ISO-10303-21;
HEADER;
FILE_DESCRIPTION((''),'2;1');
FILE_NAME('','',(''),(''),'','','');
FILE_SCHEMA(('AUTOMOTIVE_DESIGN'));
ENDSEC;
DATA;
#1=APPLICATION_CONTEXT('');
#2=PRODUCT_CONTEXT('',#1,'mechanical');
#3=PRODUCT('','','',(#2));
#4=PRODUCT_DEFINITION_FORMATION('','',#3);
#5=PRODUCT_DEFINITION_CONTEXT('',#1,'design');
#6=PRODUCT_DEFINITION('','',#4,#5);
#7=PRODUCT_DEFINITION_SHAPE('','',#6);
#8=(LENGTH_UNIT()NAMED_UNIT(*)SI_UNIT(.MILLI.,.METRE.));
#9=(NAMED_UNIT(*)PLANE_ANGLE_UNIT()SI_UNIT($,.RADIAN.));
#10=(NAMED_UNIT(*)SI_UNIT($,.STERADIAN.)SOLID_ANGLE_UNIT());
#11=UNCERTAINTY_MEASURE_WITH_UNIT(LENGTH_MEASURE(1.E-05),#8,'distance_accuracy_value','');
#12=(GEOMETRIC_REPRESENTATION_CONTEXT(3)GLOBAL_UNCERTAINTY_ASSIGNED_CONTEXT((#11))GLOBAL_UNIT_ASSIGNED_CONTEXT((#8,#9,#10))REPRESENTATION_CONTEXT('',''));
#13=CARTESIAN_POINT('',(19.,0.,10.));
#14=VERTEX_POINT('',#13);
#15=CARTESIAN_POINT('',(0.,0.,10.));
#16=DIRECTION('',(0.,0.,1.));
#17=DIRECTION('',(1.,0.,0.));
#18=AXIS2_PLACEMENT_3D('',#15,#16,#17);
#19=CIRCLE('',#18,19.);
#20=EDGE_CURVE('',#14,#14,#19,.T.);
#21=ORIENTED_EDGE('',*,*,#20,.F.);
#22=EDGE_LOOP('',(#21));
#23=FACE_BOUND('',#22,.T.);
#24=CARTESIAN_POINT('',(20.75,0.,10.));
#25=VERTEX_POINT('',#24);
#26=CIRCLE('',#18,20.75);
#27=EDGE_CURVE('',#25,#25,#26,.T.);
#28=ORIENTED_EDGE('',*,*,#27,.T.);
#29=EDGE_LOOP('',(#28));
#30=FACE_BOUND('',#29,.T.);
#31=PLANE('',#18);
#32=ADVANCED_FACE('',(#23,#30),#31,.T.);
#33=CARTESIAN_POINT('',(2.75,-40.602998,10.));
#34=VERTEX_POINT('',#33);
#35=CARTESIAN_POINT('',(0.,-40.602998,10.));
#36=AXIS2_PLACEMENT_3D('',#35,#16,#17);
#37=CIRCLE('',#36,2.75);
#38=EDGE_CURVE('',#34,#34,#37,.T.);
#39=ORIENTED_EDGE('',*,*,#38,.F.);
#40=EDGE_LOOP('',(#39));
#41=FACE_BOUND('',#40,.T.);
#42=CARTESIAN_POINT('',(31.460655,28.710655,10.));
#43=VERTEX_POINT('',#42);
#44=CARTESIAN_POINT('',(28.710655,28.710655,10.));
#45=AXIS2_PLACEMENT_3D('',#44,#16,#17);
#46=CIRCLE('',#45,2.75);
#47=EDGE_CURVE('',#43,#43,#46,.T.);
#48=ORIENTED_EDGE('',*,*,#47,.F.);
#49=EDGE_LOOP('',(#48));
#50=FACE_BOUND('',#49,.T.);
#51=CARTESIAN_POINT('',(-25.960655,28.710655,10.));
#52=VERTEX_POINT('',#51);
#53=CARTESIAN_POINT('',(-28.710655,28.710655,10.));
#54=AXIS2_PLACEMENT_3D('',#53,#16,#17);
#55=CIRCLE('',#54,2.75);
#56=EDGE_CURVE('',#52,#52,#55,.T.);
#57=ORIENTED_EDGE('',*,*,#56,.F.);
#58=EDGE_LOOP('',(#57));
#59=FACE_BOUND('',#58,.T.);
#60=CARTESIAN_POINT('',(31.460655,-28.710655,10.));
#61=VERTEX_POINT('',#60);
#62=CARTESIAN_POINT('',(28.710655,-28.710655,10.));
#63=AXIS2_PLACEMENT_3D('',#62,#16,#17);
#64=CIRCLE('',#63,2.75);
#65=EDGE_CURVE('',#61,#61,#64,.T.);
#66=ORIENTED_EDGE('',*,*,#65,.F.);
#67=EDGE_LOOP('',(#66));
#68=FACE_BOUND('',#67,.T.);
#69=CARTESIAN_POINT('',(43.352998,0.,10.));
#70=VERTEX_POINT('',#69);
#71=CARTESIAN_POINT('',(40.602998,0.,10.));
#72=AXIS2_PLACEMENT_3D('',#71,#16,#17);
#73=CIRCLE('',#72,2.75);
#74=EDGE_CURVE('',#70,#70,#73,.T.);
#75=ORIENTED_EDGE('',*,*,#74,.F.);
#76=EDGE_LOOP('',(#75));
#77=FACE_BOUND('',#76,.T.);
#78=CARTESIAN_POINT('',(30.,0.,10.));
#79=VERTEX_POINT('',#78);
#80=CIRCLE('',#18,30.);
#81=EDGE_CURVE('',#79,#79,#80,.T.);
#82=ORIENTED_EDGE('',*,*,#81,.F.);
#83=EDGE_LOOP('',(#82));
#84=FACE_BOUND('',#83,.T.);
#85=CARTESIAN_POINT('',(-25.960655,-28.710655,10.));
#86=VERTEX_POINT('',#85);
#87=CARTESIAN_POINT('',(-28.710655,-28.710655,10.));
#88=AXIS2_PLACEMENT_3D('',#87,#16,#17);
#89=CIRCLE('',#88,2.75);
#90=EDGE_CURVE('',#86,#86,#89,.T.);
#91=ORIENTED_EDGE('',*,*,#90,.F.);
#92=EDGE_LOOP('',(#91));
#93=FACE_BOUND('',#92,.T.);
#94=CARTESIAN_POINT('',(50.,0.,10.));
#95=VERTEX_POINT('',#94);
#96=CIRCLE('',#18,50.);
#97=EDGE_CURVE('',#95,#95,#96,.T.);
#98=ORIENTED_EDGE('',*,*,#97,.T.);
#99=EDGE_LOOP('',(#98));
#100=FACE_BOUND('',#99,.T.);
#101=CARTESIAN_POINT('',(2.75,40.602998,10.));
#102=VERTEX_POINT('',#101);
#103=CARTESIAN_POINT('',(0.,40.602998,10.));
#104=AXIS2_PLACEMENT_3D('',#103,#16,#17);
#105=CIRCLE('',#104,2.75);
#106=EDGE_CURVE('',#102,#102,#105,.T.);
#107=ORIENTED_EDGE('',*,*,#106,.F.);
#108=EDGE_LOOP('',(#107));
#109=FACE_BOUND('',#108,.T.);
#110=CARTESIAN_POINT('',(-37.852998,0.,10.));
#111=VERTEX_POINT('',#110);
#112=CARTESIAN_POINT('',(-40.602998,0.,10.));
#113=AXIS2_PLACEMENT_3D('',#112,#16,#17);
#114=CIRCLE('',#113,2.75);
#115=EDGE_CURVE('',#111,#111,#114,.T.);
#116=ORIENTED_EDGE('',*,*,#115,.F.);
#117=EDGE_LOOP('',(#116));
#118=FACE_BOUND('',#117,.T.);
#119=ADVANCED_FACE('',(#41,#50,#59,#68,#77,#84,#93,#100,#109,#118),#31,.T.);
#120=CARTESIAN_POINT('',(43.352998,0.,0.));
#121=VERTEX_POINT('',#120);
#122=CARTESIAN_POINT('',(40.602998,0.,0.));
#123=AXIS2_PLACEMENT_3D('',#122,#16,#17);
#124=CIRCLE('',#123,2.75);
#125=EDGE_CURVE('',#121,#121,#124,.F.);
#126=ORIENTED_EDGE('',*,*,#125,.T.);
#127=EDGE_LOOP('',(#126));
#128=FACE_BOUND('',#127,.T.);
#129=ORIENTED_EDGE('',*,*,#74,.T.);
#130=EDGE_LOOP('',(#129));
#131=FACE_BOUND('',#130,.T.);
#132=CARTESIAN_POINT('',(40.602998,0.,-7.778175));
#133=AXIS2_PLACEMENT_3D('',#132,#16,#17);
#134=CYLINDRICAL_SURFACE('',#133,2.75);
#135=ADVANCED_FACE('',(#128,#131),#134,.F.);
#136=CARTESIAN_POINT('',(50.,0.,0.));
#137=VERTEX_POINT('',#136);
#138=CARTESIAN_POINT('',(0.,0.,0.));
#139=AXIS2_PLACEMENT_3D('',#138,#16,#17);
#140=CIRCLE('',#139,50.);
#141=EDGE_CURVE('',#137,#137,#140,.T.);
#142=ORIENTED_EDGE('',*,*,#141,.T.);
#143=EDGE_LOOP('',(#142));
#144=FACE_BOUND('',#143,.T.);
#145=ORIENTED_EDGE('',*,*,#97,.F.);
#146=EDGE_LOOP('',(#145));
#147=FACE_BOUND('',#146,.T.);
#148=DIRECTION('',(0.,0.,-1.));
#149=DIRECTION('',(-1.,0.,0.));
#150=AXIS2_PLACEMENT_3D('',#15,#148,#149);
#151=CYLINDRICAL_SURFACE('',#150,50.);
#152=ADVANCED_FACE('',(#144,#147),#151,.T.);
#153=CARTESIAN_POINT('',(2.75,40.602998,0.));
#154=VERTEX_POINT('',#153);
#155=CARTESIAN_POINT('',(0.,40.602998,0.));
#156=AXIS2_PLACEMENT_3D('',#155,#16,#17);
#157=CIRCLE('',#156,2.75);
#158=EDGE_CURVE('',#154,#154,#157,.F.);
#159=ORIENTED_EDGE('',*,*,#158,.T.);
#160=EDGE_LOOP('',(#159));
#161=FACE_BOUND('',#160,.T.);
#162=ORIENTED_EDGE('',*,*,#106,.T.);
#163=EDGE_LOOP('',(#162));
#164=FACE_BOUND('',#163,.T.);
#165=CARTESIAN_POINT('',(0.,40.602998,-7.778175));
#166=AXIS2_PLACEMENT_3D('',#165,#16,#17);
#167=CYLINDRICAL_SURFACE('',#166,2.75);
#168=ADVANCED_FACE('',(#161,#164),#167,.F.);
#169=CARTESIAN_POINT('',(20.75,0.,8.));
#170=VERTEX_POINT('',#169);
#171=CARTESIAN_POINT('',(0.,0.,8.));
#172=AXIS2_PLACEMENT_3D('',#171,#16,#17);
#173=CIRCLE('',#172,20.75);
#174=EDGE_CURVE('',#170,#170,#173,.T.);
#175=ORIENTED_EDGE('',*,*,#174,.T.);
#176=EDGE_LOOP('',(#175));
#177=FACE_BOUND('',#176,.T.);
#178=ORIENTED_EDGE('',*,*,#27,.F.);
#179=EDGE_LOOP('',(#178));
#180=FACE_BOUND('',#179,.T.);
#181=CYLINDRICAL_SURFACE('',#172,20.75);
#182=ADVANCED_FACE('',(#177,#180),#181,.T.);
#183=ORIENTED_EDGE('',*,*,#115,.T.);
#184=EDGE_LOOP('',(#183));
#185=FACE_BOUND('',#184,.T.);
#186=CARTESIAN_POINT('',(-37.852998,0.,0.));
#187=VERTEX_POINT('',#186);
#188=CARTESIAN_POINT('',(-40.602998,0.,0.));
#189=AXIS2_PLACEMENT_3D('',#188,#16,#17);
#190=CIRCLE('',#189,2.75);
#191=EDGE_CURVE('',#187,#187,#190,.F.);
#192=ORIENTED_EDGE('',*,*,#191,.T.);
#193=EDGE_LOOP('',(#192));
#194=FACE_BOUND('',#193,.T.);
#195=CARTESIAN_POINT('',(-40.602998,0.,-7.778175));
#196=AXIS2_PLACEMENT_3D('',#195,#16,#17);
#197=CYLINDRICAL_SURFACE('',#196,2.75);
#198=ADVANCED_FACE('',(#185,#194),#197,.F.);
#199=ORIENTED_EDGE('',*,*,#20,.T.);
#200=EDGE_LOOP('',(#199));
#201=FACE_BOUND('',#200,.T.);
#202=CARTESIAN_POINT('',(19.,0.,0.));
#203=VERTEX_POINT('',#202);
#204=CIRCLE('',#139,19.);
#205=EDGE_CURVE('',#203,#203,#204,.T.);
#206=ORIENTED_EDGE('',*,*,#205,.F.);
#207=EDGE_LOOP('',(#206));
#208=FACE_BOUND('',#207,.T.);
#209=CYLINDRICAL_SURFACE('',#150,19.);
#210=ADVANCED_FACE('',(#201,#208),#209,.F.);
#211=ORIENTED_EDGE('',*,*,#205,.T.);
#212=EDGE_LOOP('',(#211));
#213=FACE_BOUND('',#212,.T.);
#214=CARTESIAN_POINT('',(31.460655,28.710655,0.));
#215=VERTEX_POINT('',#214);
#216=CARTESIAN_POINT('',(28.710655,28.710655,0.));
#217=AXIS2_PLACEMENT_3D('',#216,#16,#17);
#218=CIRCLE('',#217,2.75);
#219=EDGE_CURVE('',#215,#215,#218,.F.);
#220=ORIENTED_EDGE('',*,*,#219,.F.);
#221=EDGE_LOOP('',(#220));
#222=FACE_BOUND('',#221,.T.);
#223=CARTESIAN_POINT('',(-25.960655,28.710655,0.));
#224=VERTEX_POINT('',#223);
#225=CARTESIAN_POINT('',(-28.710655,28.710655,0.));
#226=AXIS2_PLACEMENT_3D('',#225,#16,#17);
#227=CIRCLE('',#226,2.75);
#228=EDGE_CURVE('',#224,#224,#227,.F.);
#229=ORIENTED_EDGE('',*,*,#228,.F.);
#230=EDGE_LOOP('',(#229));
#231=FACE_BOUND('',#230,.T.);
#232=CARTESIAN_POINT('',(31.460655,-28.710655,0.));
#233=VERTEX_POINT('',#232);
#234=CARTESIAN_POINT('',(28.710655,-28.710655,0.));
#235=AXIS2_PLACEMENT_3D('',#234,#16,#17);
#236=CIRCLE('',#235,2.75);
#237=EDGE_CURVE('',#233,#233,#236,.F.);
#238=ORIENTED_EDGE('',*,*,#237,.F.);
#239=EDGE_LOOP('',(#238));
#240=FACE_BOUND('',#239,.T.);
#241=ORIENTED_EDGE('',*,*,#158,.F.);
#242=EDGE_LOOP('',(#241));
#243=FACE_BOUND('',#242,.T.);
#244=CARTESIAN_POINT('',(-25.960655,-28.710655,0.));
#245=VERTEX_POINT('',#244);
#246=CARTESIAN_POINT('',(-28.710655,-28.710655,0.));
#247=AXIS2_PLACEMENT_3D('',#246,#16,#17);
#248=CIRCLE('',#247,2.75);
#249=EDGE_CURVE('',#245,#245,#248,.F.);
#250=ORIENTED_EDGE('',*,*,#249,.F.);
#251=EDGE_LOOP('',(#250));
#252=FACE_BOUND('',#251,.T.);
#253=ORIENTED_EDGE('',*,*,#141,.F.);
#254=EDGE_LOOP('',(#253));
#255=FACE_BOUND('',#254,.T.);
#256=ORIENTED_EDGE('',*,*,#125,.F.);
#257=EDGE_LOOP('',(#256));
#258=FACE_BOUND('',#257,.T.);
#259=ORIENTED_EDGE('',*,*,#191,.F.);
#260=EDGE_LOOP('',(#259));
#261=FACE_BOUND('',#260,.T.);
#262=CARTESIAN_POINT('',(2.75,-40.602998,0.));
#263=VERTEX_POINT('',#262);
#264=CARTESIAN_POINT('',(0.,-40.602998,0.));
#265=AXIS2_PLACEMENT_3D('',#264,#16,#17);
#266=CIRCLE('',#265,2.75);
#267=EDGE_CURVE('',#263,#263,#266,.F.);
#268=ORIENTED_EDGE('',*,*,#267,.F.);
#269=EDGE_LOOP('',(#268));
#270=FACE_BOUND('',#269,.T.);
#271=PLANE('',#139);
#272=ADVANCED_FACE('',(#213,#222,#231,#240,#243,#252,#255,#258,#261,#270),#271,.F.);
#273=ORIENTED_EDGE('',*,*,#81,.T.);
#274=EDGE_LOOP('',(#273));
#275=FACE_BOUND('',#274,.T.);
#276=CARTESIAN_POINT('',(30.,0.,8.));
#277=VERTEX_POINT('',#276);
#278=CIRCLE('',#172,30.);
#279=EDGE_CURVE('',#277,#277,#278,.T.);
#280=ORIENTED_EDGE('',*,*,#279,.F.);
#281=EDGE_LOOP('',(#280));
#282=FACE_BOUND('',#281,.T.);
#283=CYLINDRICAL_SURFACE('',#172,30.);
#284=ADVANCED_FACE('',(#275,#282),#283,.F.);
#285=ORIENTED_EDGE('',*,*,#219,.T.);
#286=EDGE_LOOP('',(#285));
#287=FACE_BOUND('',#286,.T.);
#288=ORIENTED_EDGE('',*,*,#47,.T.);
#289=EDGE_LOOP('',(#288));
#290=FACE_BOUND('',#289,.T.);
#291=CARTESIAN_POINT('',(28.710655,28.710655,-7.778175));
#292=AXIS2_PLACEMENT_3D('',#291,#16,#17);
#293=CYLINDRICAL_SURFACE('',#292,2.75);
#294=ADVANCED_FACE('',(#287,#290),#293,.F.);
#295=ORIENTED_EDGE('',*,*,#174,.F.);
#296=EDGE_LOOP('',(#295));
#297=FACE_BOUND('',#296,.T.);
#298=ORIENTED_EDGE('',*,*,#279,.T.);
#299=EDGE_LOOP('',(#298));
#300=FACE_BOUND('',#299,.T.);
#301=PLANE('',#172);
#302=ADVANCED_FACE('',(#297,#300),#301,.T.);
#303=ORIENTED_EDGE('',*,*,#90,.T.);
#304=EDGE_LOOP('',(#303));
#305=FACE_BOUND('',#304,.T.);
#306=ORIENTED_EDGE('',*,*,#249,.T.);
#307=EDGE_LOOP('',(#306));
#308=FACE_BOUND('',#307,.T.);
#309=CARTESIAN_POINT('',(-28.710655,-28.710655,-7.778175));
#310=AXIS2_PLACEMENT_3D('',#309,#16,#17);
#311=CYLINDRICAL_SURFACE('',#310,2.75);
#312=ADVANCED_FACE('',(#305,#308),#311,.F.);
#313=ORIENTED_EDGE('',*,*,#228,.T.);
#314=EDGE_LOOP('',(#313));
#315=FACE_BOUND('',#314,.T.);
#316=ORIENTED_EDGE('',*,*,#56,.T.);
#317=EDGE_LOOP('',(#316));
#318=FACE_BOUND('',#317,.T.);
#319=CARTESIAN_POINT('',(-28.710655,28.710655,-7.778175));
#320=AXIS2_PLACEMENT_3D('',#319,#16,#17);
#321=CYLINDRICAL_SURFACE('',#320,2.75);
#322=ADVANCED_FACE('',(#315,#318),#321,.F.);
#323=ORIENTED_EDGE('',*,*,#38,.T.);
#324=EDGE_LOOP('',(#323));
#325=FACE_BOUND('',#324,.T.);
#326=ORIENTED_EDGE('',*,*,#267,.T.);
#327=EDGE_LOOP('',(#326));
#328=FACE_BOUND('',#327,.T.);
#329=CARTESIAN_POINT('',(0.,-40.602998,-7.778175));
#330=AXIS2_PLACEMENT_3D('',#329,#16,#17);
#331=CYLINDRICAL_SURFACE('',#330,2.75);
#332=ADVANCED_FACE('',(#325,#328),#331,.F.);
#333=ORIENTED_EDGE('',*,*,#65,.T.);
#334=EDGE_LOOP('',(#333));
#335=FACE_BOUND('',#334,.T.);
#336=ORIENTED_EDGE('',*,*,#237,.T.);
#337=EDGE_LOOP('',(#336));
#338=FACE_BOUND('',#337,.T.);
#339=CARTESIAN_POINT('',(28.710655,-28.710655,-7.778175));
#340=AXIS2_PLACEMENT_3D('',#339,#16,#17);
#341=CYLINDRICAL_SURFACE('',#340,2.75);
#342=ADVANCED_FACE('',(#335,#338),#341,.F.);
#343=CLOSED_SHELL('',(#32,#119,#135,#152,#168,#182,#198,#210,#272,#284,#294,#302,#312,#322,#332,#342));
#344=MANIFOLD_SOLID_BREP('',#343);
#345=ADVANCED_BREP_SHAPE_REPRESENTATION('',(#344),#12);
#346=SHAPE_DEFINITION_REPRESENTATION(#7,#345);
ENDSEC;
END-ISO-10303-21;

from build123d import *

# Parameters (mm, degrees)
CROQUIS1_R              = 50
CROQUIS1_R_2            = 19
SALIENTE_EXTRUIR1_DEPTH = 10
CROQUIS4_R              = 30
CROQUIS4_R_2            = 20.75
CORTAR_EXTRUIR1_DEPTH   = 2
CROQUIS5_R              = 2.75
CORTAR_EXTRUIR2_DEPTH   = 10


with BuildPart() as part:
    # Croquis1 → Saliente-Extruir1 (new body)
    with BuildSketch(Plane.XY):
        Circle(CROQUIS1_R)
        Circle(CROQUIS1_R_2, mode=Mode.SUBTRACT)
    extrude(amount=SALIENTE_EXTRUIR1_DEPTH)

    # Croquis4 → Cortar-Extruir1 (cut)
    with BuildSketch(Plane.XY.offset(10)):
        Circle(CROQUIS4_R)
        Circle(CROQUIS4_R_2, mode=Mode.SUBTRACT)
    extrude(amount=-CORTAR_EXTRUIR1_DEPTH, mode=Mode.SUBTRACT)

    # Croquis5 → Cortar-Extruir2 (cut)
    with BuildSketch(Plane.XY.offset(10)):
        with Locations((40.602997929, 0)):
            Circle(CROQUIS5_R)
        with Locations((28.710655172, -28.710655172)):
            Circle(CROQUIS5_R)
        with Locations((0, -40.602997929)):
            Circle(CROQUIS5_R)
        with Locations((-28.710655172, -28.710655172)):
            Circle(CROQUIS5_R)
        with Locations((-40.602997929, 0)):
            Circle(CROQUIS5_R)
        with Locations((-28.710655172, 28.710655172)):
            Circle(CROQUIS5_R)
        with Locations((0, 40.602997929)):
            Circle(CROQUIS5_R)
        with Locations((28.710655172, 28.710655172)):
            Circle(CROQUIS5_R)
    extrude(amount=-CORTAR_EXTRUIR2_DEPTH, mode=Mode.SUBTRACT)


solid = part.part
